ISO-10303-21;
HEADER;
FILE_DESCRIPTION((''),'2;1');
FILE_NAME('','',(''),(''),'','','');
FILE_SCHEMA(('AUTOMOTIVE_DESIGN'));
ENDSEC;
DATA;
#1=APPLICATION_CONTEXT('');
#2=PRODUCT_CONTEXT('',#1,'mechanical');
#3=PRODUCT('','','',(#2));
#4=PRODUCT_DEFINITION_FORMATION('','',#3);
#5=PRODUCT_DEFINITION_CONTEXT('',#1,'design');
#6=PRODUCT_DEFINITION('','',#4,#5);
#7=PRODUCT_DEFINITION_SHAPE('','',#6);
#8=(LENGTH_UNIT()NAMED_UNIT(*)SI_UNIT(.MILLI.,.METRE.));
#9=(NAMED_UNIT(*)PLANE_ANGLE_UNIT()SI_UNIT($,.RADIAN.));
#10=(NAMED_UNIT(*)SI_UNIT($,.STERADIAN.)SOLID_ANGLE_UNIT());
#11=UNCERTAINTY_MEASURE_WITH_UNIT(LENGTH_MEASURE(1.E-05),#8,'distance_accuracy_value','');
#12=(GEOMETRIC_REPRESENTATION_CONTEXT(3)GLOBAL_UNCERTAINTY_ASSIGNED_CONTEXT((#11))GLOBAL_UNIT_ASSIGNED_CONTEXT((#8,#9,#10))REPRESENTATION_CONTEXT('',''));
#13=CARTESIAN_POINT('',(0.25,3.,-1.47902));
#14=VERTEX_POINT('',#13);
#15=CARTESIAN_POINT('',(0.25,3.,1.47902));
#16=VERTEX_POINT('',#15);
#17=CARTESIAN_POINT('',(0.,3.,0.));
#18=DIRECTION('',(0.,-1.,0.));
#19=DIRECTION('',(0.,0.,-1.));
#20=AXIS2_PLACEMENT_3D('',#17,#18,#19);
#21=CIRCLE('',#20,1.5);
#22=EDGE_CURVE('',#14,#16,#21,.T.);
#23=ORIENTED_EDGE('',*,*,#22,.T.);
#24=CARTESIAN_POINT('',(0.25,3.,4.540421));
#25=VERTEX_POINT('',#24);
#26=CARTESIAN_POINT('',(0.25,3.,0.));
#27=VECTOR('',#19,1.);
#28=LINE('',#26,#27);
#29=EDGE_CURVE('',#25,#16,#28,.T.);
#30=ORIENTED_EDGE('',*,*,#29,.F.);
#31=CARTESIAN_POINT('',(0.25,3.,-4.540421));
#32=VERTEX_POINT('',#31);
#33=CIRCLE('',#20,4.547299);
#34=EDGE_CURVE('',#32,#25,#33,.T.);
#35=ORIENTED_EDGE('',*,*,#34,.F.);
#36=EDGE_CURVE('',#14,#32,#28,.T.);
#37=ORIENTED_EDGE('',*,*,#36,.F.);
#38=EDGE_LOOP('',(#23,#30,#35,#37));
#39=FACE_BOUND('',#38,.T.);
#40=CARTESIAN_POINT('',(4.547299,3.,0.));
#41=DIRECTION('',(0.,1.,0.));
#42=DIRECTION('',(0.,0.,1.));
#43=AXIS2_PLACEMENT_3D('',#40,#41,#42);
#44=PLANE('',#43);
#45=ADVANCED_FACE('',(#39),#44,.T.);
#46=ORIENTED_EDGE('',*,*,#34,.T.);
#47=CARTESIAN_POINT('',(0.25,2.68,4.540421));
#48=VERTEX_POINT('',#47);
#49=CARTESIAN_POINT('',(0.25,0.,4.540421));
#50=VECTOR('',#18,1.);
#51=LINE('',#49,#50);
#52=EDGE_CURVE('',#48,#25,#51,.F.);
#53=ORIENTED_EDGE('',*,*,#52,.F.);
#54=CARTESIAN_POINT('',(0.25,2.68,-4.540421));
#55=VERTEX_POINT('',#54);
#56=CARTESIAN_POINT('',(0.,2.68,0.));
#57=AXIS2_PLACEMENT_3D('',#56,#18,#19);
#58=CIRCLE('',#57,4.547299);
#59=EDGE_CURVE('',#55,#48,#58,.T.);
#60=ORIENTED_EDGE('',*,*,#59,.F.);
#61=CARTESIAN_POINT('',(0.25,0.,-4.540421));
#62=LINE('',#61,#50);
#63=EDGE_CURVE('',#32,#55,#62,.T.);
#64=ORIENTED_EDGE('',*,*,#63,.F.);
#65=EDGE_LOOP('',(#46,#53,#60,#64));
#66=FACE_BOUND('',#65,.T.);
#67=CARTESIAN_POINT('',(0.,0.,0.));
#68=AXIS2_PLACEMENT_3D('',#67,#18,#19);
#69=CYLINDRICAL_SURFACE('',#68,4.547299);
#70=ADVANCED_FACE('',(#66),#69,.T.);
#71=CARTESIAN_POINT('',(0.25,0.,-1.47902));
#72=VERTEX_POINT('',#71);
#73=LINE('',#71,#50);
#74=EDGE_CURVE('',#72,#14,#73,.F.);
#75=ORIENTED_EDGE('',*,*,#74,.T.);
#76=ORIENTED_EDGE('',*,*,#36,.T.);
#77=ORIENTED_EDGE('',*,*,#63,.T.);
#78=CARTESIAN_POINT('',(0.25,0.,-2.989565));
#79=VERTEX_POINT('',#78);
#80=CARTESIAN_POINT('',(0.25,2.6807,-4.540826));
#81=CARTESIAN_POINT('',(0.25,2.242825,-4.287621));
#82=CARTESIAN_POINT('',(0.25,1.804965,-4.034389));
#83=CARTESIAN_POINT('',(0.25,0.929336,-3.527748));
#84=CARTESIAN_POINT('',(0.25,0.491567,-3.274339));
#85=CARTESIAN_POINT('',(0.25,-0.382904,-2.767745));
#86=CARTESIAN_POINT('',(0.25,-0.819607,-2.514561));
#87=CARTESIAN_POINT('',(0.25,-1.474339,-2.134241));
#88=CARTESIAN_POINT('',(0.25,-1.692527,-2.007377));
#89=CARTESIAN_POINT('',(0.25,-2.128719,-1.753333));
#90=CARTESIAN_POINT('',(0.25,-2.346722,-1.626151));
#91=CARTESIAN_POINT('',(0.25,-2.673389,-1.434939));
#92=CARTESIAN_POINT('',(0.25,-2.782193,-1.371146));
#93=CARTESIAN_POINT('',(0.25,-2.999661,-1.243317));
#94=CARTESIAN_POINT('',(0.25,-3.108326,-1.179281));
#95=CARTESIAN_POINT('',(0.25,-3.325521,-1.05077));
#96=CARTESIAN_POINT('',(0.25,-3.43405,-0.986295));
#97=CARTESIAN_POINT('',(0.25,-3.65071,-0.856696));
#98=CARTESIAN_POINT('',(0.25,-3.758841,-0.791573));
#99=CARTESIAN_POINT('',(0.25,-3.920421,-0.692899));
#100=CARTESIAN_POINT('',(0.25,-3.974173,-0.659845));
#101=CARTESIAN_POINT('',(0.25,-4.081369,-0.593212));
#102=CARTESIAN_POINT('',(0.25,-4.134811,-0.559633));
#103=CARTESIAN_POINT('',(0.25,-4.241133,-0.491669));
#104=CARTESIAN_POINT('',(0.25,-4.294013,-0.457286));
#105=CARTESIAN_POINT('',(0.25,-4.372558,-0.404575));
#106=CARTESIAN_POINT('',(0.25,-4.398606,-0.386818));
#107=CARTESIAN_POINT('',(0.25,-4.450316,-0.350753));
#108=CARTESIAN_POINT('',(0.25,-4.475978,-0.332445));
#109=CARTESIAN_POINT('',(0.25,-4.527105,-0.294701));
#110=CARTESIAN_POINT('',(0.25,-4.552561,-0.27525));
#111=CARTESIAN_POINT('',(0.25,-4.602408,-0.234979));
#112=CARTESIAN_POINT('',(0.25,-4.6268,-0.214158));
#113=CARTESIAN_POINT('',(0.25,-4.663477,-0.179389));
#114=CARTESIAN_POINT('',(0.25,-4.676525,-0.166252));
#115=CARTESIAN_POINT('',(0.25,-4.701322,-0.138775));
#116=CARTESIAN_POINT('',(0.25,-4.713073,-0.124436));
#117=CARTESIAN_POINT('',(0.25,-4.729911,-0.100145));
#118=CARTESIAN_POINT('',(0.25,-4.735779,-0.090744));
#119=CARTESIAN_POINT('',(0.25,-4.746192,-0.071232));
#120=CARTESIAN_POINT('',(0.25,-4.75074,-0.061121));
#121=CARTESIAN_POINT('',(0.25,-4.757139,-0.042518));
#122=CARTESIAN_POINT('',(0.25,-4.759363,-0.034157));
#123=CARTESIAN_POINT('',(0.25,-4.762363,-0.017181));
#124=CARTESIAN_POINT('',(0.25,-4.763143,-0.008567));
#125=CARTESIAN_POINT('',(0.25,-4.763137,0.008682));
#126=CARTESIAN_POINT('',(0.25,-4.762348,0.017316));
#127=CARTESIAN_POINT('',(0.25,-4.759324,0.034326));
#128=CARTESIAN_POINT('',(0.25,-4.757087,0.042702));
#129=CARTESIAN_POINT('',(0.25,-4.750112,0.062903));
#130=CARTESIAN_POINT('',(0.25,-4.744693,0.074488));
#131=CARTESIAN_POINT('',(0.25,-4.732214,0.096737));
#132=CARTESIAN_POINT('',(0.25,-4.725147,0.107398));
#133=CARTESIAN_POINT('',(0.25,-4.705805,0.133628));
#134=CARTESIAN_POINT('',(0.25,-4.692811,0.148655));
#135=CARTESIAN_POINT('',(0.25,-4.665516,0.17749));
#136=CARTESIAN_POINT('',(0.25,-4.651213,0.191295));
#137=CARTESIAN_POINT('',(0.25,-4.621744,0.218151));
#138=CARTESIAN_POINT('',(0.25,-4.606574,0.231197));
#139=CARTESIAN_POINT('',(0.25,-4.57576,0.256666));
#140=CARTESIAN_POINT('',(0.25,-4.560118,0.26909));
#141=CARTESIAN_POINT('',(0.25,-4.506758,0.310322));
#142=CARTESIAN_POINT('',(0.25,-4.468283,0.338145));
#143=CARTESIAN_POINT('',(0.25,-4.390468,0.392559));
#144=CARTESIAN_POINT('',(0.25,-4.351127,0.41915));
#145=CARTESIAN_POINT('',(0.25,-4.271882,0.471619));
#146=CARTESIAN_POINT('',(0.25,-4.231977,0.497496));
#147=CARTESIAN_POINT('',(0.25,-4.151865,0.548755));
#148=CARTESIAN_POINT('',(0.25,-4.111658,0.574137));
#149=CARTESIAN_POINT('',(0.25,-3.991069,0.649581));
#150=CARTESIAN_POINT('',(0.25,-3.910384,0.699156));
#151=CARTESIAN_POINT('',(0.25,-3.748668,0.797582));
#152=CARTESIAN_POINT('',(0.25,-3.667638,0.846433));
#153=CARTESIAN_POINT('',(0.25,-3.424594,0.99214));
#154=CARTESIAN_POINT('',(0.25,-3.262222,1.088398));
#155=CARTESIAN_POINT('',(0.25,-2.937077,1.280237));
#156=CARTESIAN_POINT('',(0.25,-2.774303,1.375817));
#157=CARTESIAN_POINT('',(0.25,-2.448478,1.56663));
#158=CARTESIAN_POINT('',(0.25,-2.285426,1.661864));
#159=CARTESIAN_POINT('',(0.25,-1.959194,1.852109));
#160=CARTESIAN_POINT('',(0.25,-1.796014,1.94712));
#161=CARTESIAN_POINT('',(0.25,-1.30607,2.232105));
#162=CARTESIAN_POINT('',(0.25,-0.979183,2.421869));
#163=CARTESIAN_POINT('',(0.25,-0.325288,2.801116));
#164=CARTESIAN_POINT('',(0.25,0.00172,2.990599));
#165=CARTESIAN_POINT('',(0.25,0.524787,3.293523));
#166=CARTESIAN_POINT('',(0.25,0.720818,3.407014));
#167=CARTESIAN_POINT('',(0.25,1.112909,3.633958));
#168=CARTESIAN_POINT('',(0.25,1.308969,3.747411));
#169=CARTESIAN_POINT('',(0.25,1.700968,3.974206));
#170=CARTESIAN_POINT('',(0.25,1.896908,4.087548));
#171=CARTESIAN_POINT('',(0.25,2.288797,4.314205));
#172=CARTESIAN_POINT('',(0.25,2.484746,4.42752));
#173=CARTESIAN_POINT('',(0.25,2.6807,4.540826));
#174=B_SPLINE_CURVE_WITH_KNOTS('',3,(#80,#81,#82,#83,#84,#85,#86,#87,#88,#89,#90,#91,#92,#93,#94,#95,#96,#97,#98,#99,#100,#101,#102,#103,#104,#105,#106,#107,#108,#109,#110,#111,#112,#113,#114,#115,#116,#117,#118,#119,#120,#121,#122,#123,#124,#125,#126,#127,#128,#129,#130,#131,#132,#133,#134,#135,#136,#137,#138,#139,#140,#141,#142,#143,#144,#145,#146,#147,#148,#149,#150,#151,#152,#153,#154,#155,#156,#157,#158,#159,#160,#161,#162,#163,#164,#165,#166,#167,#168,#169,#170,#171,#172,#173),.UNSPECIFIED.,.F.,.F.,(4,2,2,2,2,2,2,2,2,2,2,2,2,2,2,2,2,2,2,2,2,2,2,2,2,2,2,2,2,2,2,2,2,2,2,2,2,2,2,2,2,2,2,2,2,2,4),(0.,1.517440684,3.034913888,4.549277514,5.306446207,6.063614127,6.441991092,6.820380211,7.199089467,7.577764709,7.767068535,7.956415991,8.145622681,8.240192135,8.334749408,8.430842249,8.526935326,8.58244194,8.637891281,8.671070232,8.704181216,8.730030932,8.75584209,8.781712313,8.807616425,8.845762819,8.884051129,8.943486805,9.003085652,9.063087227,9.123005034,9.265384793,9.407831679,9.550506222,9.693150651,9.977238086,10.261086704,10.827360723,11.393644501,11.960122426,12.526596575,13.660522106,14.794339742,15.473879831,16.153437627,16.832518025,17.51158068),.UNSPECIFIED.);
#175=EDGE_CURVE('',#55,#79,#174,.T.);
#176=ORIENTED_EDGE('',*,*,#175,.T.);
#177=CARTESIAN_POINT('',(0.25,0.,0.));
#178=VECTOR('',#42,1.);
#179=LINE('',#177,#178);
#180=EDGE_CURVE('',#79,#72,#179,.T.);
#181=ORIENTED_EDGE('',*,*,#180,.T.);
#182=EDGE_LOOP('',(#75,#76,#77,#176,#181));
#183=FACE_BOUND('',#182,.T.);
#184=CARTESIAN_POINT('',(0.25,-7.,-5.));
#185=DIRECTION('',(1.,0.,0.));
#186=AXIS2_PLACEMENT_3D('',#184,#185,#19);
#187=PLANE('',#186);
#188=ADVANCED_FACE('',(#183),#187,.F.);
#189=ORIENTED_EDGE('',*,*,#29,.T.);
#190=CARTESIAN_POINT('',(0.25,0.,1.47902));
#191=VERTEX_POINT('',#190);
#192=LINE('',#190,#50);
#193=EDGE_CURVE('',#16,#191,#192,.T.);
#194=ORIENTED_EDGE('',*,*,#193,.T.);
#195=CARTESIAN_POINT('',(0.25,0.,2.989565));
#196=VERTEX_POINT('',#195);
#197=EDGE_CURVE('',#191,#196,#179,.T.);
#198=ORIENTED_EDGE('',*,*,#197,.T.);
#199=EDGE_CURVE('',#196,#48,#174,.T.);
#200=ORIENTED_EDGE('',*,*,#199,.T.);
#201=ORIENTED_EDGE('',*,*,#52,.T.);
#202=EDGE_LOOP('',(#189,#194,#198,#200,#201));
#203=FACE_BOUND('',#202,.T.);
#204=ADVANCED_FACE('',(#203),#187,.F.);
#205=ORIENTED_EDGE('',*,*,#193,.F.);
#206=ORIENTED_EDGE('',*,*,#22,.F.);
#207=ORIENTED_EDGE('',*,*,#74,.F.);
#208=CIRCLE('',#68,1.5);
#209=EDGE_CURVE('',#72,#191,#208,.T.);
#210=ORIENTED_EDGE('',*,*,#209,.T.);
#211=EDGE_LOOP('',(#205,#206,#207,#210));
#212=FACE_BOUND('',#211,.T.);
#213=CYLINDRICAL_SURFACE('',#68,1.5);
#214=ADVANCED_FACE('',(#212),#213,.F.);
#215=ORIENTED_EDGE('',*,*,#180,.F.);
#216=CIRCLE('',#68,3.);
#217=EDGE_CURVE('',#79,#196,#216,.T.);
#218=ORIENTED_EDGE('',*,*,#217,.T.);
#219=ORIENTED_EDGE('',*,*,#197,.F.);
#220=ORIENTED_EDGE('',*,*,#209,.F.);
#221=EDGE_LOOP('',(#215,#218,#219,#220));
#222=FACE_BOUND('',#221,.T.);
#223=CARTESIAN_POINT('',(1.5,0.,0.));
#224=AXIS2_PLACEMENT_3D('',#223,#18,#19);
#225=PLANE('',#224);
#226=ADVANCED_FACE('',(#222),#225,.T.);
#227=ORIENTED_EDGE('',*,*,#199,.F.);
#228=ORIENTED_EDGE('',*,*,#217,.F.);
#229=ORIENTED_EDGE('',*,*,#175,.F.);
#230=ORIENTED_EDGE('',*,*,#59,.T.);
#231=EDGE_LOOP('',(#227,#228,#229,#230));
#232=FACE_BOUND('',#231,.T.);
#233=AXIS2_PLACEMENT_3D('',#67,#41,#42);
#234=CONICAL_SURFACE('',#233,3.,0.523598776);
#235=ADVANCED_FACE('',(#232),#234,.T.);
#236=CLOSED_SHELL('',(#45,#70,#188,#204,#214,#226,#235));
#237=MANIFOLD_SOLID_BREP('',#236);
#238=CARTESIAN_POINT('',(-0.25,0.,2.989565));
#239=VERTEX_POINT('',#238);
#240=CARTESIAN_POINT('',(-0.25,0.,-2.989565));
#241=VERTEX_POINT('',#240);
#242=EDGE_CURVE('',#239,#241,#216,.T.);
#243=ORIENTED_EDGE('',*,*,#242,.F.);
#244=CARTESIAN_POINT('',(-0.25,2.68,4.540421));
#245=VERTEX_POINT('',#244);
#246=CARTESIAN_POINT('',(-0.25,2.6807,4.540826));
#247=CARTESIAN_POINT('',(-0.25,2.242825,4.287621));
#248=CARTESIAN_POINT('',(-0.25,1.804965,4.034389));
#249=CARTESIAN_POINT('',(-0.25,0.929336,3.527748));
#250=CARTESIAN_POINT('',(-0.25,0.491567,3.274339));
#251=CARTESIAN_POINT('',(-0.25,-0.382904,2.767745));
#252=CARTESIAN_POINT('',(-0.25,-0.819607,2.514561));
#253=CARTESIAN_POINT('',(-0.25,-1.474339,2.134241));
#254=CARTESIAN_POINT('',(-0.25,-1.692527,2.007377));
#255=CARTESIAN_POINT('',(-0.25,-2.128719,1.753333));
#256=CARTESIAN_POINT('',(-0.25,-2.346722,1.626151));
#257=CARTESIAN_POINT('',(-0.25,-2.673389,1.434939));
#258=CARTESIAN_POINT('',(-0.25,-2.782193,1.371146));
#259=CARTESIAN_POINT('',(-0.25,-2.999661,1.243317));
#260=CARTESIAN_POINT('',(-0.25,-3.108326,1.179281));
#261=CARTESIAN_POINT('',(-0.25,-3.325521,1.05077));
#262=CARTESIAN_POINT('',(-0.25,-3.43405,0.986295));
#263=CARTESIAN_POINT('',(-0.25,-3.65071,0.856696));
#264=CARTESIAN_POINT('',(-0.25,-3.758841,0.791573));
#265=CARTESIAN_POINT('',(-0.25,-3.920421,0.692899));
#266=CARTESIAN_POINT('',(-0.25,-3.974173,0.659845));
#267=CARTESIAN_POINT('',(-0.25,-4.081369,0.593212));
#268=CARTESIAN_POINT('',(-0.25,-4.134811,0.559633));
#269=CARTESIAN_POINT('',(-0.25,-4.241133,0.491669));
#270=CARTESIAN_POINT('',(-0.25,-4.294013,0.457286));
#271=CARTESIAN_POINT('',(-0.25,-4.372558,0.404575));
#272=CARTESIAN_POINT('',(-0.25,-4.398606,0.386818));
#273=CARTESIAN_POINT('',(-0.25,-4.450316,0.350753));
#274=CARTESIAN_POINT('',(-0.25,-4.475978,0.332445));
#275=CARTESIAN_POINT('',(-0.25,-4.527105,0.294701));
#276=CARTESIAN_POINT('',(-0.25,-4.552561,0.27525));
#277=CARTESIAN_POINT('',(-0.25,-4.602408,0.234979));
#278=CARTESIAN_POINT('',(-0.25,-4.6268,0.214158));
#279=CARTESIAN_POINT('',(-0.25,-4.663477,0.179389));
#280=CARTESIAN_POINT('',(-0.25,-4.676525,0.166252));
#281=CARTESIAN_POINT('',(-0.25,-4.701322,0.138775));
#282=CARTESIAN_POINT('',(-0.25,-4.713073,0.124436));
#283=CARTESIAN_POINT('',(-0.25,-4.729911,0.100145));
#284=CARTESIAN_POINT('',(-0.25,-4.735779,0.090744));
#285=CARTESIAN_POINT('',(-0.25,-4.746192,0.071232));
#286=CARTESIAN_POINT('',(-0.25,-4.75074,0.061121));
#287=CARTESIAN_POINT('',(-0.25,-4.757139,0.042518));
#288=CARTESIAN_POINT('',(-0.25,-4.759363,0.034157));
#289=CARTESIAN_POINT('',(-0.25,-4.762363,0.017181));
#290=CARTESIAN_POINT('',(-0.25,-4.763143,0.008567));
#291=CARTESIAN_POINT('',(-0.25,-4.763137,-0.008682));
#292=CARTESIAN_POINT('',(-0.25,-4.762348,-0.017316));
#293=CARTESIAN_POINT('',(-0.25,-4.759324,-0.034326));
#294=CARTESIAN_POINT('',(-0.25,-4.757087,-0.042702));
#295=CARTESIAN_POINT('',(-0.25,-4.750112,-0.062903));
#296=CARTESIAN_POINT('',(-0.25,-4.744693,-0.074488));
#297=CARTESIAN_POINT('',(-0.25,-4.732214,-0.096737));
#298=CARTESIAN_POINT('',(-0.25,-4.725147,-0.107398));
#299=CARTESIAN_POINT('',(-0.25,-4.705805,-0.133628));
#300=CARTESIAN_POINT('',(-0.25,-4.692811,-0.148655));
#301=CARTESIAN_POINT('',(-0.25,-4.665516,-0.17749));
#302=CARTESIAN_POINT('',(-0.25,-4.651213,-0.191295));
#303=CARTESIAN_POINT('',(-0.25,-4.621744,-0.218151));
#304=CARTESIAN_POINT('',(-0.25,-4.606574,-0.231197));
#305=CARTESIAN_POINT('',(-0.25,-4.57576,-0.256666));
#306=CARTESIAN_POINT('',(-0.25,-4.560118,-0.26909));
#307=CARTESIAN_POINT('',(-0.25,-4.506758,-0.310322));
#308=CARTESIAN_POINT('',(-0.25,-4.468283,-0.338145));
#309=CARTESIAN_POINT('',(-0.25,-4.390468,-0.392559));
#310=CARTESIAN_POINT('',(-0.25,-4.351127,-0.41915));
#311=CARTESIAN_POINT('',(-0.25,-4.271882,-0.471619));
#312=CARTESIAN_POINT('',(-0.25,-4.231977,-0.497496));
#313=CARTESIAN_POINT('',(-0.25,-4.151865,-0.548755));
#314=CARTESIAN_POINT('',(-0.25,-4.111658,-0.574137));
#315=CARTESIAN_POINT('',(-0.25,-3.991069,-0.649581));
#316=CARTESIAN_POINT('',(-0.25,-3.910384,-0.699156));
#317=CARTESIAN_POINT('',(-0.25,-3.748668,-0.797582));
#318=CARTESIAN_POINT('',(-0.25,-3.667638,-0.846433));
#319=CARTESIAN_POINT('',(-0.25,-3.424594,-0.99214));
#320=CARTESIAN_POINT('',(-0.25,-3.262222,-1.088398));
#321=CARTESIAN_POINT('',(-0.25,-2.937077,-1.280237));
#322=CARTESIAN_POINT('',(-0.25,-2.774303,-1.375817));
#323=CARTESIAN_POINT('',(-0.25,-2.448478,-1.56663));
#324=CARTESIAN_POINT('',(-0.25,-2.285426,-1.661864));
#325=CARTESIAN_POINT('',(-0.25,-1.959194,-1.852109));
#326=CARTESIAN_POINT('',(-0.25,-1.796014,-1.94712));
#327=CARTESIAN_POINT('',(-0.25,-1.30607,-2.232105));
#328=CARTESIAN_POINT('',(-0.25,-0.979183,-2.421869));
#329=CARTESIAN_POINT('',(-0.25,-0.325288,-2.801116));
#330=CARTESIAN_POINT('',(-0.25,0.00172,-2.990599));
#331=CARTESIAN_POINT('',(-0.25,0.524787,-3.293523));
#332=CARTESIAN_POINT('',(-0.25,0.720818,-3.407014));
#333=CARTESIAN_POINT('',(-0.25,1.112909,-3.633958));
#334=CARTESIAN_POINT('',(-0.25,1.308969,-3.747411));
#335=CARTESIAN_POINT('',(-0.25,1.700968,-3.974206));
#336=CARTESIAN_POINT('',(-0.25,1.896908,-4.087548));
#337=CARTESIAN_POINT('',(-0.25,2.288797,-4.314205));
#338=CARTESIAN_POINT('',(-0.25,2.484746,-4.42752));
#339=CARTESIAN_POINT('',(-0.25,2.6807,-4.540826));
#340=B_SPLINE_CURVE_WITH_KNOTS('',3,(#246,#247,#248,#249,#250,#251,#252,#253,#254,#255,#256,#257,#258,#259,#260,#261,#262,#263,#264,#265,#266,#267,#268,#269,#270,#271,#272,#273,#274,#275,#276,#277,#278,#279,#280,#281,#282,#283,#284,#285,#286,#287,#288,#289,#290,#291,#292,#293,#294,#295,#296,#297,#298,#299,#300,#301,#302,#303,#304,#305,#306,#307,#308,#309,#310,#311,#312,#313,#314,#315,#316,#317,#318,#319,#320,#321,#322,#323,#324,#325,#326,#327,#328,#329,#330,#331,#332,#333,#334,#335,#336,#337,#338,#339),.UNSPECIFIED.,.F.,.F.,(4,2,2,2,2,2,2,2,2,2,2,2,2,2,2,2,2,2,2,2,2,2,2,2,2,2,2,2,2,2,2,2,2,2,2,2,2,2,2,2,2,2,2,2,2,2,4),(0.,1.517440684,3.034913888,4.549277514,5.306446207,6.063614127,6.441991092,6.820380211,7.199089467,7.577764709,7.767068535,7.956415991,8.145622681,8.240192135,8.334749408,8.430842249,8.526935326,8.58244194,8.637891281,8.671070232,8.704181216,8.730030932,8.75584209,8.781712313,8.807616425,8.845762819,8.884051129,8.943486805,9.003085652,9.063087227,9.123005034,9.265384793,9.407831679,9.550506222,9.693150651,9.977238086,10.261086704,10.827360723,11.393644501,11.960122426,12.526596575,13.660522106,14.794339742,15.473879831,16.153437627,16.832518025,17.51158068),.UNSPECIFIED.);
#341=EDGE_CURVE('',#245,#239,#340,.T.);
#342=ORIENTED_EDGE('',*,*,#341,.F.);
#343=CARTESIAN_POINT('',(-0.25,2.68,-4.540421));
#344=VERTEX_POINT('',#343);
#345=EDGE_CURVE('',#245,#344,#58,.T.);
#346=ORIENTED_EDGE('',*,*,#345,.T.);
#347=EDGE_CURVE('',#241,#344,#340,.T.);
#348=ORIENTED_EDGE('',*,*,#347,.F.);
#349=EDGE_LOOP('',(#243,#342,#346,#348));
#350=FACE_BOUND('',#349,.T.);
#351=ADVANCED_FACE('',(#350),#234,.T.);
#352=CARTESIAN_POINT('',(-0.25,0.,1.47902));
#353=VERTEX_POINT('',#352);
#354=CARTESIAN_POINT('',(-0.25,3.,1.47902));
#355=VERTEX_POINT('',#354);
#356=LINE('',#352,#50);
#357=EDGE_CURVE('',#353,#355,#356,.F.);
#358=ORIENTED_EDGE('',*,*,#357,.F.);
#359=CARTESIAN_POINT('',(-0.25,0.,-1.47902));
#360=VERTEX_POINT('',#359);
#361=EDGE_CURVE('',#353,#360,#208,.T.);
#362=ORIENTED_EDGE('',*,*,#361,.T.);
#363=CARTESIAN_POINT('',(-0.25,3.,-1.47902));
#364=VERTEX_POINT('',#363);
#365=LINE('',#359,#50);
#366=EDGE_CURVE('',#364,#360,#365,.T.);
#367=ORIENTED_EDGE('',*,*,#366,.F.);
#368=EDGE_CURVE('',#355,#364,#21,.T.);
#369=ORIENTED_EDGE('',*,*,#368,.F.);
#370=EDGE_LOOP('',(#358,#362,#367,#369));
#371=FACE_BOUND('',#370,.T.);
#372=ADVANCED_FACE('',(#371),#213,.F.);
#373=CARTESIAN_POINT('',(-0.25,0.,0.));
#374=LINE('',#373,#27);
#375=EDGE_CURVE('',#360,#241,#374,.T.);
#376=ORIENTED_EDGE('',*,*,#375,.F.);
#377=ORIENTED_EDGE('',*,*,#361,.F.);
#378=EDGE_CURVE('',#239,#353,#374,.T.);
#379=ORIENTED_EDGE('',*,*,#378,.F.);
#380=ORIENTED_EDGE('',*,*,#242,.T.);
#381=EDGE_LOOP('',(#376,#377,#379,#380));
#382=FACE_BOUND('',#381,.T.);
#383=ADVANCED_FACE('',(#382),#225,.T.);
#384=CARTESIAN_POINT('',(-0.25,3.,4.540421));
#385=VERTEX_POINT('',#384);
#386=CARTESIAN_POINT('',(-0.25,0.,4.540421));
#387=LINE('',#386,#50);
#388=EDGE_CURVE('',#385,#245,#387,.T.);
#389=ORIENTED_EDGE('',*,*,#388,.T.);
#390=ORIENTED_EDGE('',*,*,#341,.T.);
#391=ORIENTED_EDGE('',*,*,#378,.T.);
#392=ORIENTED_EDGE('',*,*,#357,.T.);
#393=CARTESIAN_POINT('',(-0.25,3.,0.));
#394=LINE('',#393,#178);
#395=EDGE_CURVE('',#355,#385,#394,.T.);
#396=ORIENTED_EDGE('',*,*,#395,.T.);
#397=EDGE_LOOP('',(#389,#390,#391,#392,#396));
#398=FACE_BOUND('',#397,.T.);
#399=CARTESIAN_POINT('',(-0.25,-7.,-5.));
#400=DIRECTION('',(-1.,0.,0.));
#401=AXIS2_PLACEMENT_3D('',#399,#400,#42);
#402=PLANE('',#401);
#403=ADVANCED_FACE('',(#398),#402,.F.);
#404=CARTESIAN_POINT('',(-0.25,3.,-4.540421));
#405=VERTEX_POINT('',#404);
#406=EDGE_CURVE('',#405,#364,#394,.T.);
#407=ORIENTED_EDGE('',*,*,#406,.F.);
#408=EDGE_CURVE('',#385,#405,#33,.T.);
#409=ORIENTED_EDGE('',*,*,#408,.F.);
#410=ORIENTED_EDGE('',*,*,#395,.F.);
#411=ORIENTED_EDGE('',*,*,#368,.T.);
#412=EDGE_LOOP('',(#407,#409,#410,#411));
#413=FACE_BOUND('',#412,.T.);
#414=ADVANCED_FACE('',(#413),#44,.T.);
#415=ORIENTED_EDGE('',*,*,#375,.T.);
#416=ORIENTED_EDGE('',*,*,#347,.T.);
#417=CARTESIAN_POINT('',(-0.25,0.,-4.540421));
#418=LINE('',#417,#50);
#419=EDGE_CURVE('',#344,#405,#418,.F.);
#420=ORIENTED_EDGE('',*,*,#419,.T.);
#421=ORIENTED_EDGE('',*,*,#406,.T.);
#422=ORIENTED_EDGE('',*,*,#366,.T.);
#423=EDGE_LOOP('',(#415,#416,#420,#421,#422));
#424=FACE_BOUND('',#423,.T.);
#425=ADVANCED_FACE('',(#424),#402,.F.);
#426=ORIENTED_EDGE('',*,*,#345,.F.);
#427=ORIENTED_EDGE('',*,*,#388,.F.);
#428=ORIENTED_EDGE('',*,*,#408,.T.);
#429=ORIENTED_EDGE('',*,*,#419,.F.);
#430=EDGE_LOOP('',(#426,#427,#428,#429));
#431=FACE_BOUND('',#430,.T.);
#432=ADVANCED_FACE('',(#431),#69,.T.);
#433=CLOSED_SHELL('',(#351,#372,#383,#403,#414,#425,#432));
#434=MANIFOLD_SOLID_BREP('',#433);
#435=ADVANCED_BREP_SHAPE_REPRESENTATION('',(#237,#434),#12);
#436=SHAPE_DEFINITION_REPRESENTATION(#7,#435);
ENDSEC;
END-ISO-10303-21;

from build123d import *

# Parameters (mm, degrees)
SKETCH2_W          = 0.5
SKETCH2_H          = 10
CUT_EXTRUDE2_DEPTH = 10


with BuildPart() as part:
    # Sketch1 → Revolve1 (revolve)
    with BuildSketch(Plane.XY, mode=Mode.PRIVATE) as revolve1_sk:
        Polygon((1.5, 0), (3, 0), (4.547298721, 2.68), (4.547298721, 3), (1.5, 3), align=None)
    revolve(revolve1_sk.sketch.rotate(Axis((0, 0, 0), (0, 1, 0)), 90), axis=Axis((0, 0, 0), (0, 1, 0)))

    # Sketch2 → Cut-Extrude2 (cut)
    with BuildSketch(Plane(origin=(0, 3, 0), x_dir=(1, 0, 0), z_dir=(0, 1, 0))):
        Rectangle(SKETCH2_W, SKETCH2_H)
    extrude(amount=-CUT_EXTRUDE2_DEPTH, mode=Mode.SUBTRACT)


with BuildPart() as cut_extrude2_piece_1:
    # of the separate pieces the step leaves, piece 1, a body of its own (cut_extrude2_pieces)
    add(part.part.solids().sort_by_distance((0.25, 0, 1.479019946))[0])


with BuildPart() as cut_extrude2_piece_2:
    # of the separate pieces the step leaves, piece 2, a body of its own (cut_extrude2_pieces)
    add(part.part.solids().sort_by_distance((-0.25, 0, -2.989565186))[0])


solid = Compound([cut_extrude2_piece_1.part, cut_extrude2_piece_2.part])
